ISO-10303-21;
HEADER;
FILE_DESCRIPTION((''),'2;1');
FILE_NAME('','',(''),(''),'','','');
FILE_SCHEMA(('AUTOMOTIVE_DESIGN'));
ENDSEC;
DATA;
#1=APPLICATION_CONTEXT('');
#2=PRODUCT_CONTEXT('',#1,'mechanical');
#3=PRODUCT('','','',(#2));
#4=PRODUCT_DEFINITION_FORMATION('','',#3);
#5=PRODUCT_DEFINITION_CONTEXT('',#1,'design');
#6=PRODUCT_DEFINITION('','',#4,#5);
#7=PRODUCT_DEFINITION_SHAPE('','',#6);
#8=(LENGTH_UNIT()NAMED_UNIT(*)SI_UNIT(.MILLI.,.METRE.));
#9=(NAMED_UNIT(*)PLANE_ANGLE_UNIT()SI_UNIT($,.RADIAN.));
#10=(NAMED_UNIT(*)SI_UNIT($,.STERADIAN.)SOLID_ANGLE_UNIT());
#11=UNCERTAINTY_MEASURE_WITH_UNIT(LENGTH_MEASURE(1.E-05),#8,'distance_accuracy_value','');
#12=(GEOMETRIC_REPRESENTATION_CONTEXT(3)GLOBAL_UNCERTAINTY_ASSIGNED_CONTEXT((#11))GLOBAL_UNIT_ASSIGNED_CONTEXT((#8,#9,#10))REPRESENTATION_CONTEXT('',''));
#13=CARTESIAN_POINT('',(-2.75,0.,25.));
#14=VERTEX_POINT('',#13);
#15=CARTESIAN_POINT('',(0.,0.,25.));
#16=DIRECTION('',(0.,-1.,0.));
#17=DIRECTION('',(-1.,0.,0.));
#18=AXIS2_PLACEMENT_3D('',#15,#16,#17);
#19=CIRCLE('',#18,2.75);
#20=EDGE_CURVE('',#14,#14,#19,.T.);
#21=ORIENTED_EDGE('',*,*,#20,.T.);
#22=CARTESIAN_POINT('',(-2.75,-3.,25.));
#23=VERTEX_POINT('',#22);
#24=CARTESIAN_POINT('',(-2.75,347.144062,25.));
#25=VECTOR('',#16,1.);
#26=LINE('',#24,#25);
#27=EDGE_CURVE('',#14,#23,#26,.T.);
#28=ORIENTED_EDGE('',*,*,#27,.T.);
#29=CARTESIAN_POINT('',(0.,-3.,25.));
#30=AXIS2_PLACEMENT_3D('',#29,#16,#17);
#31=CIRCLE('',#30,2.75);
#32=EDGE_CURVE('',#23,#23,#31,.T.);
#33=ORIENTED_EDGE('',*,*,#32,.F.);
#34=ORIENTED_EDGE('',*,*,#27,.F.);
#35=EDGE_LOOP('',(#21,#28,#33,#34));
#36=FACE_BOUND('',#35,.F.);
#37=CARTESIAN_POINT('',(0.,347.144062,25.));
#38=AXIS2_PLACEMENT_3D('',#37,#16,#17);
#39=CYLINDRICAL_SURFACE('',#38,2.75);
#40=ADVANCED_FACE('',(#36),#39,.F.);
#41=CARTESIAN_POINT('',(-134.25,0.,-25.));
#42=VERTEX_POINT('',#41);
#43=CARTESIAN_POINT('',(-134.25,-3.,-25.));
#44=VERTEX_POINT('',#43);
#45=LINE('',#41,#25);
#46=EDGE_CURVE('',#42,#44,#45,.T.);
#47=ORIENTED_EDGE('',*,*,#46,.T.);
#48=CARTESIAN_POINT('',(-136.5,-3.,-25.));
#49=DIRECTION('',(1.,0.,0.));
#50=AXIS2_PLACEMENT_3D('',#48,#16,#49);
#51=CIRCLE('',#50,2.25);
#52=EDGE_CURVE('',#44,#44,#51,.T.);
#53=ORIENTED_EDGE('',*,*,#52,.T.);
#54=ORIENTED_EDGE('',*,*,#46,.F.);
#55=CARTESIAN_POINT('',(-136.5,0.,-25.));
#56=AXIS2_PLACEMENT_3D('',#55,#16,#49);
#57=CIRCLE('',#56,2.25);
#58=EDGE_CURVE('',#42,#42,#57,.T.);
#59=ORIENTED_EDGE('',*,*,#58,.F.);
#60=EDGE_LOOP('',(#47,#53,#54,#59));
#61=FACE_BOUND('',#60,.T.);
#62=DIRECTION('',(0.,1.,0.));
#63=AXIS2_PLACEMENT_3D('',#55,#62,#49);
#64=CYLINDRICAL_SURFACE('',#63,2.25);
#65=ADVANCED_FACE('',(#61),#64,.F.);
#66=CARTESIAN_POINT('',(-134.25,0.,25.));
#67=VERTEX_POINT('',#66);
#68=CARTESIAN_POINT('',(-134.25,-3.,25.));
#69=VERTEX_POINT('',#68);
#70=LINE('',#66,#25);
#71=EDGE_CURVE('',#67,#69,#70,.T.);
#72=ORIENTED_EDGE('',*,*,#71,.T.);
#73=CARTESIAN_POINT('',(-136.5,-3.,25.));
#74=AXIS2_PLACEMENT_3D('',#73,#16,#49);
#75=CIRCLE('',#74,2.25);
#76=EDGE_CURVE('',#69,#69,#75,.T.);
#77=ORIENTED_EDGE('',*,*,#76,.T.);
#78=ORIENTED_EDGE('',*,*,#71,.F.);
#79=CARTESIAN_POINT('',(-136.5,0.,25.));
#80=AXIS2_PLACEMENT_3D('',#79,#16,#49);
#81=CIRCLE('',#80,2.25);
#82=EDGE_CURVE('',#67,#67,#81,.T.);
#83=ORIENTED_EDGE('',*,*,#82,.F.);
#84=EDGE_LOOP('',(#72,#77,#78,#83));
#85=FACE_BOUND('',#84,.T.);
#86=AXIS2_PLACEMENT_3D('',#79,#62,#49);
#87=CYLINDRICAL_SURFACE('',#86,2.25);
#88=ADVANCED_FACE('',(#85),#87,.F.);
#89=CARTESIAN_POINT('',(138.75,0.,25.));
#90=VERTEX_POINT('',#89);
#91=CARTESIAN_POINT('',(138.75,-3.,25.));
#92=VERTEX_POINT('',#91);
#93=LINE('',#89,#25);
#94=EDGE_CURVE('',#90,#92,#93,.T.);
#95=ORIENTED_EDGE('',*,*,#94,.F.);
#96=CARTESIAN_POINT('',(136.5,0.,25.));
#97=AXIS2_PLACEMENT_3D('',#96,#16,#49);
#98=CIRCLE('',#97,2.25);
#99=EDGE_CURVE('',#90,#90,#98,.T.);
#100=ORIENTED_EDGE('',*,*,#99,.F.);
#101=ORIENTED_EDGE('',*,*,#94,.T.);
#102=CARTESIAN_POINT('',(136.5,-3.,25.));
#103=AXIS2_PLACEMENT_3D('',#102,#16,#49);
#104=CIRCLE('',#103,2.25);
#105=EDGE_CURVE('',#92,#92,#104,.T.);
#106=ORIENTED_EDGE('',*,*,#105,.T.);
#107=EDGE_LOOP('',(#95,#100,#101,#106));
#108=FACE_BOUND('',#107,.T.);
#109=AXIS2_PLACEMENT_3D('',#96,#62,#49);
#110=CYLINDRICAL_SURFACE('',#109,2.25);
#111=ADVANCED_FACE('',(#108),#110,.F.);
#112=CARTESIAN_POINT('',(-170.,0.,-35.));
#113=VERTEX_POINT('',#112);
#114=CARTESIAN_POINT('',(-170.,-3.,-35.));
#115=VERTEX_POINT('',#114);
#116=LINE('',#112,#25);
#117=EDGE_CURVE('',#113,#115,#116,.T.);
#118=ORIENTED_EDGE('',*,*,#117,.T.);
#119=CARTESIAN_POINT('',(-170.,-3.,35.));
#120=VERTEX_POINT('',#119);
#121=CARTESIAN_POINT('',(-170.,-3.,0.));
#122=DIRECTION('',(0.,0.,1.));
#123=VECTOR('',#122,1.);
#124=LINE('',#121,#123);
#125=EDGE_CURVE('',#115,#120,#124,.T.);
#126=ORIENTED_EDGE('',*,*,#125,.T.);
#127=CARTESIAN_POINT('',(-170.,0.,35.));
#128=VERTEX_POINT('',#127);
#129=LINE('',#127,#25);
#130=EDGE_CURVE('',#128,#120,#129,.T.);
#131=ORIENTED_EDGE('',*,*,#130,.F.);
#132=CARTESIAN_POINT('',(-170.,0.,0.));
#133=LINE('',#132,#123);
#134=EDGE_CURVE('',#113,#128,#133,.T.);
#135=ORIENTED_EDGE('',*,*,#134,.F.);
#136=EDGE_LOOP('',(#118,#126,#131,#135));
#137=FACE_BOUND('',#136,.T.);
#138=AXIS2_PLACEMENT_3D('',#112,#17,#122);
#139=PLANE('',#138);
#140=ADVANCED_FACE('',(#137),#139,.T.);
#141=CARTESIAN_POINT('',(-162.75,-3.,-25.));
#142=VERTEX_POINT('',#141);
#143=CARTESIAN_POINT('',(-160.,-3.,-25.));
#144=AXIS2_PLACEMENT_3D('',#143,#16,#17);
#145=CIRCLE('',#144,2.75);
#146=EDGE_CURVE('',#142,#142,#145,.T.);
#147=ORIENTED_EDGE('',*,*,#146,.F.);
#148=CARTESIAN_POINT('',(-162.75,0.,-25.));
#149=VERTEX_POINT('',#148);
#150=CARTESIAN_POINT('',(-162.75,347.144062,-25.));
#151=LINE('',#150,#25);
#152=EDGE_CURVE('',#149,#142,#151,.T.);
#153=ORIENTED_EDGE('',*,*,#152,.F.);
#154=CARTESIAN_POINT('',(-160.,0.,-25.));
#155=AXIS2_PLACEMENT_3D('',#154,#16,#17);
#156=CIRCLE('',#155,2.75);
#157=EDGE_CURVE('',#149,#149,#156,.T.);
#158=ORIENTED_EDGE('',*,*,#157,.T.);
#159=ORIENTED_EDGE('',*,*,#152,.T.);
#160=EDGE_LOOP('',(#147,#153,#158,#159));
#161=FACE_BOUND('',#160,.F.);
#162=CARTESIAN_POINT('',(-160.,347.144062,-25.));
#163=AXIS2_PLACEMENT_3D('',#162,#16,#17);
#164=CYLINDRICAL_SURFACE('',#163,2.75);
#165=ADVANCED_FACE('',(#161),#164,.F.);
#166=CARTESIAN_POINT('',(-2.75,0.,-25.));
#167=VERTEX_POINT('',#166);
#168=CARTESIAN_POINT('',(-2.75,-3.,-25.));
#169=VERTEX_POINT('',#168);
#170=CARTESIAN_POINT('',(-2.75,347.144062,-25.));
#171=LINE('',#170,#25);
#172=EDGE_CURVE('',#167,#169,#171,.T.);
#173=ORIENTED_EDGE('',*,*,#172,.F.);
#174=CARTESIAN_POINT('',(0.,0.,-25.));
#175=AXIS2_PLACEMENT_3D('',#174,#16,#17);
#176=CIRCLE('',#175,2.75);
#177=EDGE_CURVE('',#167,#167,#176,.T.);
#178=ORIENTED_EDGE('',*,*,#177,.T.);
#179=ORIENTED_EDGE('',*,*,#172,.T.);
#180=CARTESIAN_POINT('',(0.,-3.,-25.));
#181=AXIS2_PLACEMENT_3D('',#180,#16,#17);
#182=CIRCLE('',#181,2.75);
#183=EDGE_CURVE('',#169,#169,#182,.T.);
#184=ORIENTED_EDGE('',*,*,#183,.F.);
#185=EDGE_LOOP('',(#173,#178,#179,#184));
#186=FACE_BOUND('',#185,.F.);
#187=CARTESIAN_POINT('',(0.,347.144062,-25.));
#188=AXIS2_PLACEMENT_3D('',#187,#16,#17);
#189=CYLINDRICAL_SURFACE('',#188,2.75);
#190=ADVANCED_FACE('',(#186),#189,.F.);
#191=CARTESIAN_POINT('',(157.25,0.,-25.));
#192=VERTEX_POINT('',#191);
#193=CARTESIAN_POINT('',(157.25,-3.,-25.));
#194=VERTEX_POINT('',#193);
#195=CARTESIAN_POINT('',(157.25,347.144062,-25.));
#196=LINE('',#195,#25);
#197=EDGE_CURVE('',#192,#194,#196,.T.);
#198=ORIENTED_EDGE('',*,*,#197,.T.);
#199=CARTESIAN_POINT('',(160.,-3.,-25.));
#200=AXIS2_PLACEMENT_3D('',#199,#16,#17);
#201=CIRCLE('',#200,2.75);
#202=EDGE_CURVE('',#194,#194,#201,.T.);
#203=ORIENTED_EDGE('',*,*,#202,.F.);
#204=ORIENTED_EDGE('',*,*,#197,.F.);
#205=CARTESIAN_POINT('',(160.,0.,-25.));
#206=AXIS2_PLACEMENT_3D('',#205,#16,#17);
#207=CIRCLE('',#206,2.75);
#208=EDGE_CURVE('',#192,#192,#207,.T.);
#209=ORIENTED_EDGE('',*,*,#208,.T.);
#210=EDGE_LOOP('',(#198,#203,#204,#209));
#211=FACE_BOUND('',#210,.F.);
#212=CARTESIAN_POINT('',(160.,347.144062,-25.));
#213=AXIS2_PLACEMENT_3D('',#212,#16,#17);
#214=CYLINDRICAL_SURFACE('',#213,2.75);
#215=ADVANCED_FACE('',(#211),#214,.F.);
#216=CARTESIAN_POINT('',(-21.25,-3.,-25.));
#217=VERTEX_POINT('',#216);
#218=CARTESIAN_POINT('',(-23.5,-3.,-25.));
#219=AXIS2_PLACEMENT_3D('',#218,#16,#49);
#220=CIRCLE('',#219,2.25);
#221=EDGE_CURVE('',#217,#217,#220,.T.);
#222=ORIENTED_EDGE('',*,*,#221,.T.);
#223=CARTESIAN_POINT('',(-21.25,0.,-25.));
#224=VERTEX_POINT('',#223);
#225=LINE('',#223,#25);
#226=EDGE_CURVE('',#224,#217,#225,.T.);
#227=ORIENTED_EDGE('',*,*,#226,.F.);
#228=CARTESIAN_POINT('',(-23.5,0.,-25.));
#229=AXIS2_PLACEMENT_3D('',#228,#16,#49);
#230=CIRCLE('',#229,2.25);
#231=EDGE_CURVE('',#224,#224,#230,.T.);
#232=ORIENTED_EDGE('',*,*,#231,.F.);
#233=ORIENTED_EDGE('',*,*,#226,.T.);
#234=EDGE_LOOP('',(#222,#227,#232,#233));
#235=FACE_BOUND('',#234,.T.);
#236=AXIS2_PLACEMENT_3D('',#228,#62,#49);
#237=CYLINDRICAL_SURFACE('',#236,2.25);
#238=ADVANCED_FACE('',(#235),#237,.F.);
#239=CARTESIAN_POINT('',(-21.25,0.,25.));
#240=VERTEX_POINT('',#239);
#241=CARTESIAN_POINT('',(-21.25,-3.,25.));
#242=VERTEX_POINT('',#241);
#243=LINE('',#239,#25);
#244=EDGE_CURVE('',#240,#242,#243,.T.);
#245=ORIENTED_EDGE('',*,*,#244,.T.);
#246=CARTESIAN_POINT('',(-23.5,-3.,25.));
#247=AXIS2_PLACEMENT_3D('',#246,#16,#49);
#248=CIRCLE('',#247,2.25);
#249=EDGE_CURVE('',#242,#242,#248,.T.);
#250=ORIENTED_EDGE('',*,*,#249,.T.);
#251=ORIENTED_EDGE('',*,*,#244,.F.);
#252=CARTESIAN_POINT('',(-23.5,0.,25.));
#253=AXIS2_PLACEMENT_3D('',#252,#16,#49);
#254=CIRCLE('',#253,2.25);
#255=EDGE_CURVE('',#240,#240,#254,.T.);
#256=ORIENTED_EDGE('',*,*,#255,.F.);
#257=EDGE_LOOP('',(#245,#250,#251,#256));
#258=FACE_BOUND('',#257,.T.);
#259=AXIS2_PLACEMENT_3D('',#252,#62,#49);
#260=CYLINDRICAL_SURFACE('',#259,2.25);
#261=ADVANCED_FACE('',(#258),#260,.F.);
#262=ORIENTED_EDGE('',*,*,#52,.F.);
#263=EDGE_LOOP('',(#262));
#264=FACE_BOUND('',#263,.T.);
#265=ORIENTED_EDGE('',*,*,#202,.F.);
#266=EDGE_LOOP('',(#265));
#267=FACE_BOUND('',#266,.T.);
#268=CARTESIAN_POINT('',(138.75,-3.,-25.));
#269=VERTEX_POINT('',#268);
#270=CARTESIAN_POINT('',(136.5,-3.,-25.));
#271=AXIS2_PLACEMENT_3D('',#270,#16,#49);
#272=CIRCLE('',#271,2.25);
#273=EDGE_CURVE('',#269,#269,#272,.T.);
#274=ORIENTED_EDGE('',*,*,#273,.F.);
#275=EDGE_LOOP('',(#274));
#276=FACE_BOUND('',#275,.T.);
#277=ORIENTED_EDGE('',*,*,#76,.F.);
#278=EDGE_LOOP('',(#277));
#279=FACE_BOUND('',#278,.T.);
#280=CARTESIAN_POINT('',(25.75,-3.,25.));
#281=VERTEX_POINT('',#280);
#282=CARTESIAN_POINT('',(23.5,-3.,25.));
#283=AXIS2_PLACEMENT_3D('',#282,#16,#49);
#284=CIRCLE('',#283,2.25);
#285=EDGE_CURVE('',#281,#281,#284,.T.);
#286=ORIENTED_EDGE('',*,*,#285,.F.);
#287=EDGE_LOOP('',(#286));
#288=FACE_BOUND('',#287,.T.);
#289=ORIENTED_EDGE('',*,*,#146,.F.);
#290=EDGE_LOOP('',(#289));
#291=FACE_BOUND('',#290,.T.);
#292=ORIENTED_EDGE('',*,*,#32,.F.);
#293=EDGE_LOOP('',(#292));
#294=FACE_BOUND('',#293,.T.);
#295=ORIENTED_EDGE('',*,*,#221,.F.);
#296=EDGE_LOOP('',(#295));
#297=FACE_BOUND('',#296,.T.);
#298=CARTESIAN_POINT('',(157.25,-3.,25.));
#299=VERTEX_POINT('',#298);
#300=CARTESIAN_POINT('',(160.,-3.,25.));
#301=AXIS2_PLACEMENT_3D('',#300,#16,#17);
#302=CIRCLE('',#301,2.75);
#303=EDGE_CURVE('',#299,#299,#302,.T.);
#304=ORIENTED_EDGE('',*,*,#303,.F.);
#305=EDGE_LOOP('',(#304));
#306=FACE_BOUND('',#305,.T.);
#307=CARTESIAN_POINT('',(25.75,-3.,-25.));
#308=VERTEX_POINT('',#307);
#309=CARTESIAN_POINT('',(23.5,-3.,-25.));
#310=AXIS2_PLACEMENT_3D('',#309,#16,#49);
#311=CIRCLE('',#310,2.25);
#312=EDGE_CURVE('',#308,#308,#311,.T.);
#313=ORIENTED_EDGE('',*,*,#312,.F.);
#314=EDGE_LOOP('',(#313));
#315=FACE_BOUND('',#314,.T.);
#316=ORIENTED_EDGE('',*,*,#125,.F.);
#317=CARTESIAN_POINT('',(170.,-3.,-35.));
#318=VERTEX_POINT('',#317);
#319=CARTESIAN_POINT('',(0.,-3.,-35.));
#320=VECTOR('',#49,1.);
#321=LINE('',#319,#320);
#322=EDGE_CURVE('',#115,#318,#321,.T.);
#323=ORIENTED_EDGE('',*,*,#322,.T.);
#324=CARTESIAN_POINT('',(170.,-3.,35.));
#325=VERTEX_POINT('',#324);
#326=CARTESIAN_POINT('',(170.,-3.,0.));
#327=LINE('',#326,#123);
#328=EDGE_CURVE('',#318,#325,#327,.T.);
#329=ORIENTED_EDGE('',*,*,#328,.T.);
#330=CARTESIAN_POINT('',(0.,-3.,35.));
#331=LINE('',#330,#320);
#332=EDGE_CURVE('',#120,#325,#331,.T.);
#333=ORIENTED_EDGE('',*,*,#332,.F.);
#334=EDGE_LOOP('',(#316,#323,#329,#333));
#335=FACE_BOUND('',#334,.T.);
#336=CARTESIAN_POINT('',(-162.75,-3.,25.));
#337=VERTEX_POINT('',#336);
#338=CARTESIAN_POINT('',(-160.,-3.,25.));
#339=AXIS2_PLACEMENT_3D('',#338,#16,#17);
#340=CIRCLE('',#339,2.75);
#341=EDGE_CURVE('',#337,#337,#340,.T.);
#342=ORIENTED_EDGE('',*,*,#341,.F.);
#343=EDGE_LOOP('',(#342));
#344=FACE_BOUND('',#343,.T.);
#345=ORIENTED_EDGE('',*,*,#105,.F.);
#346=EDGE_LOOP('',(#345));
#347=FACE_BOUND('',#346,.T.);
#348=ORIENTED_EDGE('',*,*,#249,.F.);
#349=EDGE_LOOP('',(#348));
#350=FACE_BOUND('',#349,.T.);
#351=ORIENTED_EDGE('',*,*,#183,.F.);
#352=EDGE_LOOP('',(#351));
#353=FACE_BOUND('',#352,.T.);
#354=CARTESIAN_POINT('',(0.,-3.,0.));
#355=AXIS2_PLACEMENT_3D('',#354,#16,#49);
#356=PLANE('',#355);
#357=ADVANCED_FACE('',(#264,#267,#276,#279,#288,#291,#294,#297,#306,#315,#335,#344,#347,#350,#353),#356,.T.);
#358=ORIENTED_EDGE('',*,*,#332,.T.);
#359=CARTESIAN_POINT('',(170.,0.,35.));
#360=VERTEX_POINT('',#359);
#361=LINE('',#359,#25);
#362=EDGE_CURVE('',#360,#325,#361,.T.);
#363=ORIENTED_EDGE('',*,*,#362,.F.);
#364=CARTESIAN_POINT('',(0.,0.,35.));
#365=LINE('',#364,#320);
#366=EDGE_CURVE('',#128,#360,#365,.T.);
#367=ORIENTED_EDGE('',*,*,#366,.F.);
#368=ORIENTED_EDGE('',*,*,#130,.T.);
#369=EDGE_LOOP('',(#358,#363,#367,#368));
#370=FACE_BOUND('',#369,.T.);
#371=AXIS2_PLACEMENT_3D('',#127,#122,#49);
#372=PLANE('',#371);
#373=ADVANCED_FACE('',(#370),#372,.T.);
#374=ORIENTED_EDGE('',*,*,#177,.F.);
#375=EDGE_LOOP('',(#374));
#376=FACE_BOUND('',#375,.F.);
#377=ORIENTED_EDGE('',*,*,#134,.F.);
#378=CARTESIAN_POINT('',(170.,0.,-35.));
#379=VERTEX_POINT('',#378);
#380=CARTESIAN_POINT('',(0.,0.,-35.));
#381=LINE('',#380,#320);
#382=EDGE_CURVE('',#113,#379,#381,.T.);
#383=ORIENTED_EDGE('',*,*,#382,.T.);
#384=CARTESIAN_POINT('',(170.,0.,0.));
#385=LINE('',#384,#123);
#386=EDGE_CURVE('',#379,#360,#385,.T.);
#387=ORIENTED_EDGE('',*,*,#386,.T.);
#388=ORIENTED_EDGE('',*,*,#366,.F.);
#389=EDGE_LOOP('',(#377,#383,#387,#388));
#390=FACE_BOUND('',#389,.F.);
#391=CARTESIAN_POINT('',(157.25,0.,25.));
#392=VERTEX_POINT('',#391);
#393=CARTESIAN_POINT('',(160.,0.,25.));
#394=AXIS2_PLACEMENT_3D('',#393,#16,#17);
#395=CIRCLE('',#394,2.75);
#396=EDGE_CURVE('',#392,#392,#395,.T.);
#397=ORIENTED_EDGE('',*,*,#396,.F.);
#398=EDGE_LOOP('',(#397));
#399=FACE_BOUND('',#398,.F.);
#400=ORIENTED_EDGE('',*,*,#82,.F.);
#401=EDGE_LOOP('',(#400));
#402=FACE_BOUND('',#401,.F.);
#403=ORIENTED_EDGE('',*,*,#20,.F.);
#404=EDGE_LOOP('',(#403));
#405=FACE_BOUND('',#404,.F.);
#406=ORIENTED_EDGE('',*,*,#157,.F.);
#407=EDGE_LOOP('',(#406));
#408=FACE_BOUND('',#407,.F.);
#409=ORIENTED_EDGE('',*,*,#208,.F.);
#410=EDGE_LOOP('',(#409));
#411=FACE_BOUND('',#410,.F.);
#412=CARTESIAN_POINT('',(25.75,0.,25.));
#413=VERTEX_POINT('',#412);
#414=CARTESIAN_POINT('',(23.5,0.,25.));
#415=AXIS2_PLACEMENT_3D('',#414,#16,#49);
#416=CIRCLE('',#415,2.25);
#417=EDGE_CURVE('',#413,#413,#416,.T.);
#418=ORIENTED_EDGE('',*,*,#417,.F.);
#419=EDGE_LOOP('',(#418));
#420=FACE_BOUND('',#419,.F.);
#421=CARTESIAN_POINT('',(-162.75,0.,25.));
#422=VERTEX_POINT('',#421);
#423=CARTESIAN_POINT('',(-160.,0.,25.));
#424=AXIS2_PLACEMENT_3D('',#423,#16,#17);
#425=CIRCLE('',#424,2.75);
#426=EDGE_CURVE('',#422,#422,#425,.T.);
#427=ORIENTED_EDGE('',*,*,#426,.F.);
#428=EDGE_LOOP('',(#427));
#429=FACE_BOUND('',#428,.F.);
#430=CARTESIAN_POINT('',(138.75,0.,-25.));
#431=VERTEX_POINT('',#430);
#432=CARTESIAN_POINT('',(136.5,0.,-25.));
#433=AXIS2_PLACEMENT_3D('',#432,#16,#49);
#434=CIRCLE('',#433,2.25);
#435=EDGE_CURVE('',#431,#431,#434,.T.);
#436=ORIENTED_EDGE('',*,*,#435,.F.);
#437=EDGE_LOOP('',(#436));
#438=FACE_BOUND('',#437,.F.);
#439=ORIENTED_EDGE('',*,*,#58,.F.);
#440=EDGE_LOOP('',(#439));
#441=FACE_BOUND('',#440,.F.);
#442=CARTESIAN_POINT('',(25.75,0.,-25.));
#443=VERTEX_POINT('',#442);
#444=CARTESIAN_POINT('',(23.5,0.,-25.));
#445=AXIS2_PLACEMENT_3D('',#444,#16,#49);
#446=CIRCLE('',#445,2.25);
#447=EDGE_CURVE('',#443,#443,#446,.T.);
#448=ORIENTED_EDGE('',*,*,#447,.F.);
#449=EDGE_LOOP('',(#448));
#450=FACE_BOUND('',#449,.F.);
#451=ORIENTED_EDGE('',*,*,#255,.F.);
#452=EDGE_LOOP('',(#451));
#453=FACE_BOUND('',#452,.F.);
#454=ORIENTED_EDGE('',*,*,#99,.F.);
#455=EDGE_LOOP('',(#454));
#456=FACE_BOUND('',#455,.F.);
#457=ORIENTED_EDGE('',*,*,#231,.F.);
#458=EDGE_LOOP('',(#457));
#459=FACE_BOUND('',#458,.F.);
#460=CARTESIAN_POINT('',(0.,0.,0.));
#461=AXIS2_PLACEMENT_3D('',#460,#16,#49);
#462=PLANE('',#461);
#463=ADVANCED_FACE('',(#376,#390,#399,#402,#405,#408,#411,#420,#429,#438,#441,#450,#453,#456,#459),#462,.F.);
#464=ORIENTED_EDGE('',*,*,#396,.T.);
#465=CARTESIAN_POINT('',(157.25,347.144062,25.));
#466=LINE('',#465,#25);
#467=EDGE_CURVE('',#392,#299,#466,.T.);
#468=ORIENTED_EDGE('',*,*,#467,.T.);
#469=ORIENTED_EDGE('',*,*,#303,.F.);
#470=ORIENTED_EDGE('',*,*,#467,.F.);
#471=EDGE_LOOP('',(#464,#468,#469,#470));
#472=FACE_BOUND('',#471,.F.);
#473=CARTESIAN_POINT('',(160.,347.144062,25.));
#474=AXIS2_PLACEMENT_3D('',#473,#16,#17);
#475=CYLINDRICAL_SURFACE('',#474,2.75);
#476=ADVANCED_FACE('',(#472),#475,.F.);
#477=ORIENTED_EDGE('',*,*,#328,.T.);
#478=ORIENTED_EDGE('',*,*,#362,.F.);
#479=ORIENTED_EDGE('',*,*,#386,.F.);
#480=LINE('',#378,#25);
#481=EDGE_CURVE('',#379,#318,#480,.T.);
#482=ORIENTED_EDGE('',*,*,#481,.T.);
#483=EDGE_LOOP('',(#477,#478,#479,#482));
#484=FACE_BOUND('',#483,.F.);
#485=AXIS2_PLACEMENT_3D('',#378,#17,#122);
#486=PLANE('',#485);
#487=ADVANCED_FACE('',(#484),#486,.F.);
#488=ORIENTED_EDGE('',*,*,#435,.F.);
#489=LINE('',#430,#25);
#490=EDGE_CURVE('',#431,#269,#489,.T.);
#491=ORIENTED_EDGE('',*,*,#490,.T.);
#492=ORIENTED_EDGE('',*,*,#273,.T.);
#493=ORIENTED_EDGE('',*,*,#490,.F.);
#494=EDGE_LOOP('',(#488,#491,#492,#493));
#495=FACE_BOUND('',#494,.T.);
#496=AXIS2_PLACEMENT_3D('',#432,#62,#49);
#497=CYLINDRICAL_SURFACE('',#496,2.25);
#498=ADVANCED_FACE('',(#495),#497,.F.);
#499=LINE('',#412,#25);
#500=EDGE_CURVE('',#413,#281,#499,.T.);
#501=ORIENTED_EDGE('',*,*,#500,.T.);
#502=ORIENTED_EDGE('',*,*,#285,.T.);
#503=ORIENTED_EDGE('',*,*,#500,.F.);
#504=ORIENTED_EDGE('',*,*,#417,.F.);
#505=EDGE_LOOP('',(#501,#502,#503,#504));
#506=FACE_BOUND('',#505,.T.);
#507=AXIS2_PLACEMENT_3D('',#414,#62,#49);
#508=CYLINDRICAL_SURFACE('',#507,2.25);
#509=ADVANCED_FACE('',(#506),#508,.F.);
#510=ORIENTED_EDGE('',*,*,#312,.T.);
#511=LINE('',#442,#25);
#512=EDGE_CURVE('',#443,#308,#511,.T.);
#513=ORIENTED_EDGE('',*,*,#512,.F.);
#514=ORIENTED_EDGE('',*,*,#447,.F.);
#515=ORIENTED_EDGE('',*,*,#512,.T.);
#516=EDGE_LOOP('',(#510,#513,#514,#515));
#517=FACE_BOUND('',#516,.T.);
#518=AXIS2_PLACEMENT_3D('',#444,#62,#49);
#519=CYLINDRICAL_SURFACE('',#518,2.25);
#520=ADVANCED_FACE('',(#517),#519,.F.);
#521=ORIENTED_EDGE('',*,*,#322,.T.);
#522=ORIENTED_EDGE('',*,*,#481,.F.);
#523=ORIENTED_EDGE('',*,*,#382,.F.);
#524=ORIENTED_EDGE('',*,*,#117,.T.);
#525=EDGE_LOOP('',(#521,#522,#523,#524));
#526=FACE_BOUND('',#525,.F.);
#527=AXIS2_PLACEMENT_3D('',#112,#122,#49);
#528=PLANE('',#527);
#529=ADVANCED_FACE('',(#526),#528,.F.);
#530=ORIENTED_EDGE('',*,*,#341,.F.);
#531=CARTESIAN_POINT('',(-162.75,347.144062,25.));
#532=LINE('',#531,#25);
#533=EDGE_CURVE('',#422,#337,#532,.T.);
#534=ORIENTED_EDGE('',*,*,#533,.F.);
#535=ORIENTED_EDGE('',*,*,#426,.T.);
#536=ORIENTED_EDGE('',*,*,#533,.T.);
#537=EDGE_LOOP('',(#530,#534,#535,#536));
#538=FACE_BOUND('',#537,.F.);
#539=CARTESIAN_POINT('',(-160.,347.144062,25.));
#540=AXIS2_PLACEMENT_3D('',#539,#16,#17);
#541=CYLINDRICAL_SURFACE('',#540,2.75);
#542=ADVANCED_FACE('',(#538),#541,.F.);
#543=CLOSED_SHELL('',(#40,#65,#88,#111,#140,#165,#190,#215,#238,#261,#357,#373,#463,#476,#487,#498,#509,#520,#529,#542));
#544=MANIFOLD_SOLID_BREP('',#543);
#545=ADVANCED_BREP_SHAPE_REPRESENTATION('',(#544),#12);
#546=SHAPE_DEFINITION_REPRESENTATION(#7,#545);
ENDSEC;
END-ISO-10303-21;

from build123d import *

# Parameters (mm, degrees)
F0_W     = 340
F0_H     = 70
F0_R     = 2.25
F1_DEPTH = 3
F2_D     = 5.5


with BuildPart() as f1:
    # F0 (on Front) → F1 (new body)
    with BuildSketch(Plane.XZ):
        Rectangle(F0_W, F0_H)
        with Locations((-160, -25)):
            Circle(F0_R, mode=Mode.SUBTRACT)
        with Locations((-136.5, -25)):
            Circle(F0_R, mode=Mode.SUBTRACT)
        with Locations((-23.5, -25)):
            Circle(F0_R, mode=Mode.SUBTRACT)
        with Locations((0, -25)):
            Circle(F0_R, mode=Mode.SUBTRACT)
        with Locations((23.5, -25)):
            Circle(F0_R, mode=Mode.SUBTRACT)
        with Locations((136.5, -25)):
            Circle(F0_R, mode=Mode.SUBTRACT)
        with Locations((160, -25)):
            Circle(F0_R, mode=Mode.SUBTRACT)
        with Locations((-160, 25)):
            Circle(F0_R, mode=Mode.SUBTRACT)
        with Locations((-136.5, 25)):
            Circle(F0_R, mode=Mode.SUBTRACT)
        with Locations((-23.5, 25)):
            Circle(F0_R, mode=Mode.SUBTRACT)
        with Locations((0, 25)):
            Circle(F0_R, mode=Mode.SUBTRACT)
        with Locations((23.5, 25)):
            Circle(F0_R, mode=Mode.SUBTRACT)
        with Locations((136.5, 25)):
            Circle(F0_R, mode=Mode.SUBTRACT)
        with Locations((160, 25)):
            Circle(F0_R, mode=Mode.SUBTRACT)
    extrude(amount=F1_DEPTH)

    # F2 (through all)
    with Locations(Plane(origin=(0, 0, 0), x_dir=(1, 0, 0), z_dir=(0, 1, 0))):
        with Locations((-160, -25), (-160, 25), (0, -25), (0, 25), (160, -25), (160, 25)):
            Hole(F2_D / 2)


solid = f1.part
